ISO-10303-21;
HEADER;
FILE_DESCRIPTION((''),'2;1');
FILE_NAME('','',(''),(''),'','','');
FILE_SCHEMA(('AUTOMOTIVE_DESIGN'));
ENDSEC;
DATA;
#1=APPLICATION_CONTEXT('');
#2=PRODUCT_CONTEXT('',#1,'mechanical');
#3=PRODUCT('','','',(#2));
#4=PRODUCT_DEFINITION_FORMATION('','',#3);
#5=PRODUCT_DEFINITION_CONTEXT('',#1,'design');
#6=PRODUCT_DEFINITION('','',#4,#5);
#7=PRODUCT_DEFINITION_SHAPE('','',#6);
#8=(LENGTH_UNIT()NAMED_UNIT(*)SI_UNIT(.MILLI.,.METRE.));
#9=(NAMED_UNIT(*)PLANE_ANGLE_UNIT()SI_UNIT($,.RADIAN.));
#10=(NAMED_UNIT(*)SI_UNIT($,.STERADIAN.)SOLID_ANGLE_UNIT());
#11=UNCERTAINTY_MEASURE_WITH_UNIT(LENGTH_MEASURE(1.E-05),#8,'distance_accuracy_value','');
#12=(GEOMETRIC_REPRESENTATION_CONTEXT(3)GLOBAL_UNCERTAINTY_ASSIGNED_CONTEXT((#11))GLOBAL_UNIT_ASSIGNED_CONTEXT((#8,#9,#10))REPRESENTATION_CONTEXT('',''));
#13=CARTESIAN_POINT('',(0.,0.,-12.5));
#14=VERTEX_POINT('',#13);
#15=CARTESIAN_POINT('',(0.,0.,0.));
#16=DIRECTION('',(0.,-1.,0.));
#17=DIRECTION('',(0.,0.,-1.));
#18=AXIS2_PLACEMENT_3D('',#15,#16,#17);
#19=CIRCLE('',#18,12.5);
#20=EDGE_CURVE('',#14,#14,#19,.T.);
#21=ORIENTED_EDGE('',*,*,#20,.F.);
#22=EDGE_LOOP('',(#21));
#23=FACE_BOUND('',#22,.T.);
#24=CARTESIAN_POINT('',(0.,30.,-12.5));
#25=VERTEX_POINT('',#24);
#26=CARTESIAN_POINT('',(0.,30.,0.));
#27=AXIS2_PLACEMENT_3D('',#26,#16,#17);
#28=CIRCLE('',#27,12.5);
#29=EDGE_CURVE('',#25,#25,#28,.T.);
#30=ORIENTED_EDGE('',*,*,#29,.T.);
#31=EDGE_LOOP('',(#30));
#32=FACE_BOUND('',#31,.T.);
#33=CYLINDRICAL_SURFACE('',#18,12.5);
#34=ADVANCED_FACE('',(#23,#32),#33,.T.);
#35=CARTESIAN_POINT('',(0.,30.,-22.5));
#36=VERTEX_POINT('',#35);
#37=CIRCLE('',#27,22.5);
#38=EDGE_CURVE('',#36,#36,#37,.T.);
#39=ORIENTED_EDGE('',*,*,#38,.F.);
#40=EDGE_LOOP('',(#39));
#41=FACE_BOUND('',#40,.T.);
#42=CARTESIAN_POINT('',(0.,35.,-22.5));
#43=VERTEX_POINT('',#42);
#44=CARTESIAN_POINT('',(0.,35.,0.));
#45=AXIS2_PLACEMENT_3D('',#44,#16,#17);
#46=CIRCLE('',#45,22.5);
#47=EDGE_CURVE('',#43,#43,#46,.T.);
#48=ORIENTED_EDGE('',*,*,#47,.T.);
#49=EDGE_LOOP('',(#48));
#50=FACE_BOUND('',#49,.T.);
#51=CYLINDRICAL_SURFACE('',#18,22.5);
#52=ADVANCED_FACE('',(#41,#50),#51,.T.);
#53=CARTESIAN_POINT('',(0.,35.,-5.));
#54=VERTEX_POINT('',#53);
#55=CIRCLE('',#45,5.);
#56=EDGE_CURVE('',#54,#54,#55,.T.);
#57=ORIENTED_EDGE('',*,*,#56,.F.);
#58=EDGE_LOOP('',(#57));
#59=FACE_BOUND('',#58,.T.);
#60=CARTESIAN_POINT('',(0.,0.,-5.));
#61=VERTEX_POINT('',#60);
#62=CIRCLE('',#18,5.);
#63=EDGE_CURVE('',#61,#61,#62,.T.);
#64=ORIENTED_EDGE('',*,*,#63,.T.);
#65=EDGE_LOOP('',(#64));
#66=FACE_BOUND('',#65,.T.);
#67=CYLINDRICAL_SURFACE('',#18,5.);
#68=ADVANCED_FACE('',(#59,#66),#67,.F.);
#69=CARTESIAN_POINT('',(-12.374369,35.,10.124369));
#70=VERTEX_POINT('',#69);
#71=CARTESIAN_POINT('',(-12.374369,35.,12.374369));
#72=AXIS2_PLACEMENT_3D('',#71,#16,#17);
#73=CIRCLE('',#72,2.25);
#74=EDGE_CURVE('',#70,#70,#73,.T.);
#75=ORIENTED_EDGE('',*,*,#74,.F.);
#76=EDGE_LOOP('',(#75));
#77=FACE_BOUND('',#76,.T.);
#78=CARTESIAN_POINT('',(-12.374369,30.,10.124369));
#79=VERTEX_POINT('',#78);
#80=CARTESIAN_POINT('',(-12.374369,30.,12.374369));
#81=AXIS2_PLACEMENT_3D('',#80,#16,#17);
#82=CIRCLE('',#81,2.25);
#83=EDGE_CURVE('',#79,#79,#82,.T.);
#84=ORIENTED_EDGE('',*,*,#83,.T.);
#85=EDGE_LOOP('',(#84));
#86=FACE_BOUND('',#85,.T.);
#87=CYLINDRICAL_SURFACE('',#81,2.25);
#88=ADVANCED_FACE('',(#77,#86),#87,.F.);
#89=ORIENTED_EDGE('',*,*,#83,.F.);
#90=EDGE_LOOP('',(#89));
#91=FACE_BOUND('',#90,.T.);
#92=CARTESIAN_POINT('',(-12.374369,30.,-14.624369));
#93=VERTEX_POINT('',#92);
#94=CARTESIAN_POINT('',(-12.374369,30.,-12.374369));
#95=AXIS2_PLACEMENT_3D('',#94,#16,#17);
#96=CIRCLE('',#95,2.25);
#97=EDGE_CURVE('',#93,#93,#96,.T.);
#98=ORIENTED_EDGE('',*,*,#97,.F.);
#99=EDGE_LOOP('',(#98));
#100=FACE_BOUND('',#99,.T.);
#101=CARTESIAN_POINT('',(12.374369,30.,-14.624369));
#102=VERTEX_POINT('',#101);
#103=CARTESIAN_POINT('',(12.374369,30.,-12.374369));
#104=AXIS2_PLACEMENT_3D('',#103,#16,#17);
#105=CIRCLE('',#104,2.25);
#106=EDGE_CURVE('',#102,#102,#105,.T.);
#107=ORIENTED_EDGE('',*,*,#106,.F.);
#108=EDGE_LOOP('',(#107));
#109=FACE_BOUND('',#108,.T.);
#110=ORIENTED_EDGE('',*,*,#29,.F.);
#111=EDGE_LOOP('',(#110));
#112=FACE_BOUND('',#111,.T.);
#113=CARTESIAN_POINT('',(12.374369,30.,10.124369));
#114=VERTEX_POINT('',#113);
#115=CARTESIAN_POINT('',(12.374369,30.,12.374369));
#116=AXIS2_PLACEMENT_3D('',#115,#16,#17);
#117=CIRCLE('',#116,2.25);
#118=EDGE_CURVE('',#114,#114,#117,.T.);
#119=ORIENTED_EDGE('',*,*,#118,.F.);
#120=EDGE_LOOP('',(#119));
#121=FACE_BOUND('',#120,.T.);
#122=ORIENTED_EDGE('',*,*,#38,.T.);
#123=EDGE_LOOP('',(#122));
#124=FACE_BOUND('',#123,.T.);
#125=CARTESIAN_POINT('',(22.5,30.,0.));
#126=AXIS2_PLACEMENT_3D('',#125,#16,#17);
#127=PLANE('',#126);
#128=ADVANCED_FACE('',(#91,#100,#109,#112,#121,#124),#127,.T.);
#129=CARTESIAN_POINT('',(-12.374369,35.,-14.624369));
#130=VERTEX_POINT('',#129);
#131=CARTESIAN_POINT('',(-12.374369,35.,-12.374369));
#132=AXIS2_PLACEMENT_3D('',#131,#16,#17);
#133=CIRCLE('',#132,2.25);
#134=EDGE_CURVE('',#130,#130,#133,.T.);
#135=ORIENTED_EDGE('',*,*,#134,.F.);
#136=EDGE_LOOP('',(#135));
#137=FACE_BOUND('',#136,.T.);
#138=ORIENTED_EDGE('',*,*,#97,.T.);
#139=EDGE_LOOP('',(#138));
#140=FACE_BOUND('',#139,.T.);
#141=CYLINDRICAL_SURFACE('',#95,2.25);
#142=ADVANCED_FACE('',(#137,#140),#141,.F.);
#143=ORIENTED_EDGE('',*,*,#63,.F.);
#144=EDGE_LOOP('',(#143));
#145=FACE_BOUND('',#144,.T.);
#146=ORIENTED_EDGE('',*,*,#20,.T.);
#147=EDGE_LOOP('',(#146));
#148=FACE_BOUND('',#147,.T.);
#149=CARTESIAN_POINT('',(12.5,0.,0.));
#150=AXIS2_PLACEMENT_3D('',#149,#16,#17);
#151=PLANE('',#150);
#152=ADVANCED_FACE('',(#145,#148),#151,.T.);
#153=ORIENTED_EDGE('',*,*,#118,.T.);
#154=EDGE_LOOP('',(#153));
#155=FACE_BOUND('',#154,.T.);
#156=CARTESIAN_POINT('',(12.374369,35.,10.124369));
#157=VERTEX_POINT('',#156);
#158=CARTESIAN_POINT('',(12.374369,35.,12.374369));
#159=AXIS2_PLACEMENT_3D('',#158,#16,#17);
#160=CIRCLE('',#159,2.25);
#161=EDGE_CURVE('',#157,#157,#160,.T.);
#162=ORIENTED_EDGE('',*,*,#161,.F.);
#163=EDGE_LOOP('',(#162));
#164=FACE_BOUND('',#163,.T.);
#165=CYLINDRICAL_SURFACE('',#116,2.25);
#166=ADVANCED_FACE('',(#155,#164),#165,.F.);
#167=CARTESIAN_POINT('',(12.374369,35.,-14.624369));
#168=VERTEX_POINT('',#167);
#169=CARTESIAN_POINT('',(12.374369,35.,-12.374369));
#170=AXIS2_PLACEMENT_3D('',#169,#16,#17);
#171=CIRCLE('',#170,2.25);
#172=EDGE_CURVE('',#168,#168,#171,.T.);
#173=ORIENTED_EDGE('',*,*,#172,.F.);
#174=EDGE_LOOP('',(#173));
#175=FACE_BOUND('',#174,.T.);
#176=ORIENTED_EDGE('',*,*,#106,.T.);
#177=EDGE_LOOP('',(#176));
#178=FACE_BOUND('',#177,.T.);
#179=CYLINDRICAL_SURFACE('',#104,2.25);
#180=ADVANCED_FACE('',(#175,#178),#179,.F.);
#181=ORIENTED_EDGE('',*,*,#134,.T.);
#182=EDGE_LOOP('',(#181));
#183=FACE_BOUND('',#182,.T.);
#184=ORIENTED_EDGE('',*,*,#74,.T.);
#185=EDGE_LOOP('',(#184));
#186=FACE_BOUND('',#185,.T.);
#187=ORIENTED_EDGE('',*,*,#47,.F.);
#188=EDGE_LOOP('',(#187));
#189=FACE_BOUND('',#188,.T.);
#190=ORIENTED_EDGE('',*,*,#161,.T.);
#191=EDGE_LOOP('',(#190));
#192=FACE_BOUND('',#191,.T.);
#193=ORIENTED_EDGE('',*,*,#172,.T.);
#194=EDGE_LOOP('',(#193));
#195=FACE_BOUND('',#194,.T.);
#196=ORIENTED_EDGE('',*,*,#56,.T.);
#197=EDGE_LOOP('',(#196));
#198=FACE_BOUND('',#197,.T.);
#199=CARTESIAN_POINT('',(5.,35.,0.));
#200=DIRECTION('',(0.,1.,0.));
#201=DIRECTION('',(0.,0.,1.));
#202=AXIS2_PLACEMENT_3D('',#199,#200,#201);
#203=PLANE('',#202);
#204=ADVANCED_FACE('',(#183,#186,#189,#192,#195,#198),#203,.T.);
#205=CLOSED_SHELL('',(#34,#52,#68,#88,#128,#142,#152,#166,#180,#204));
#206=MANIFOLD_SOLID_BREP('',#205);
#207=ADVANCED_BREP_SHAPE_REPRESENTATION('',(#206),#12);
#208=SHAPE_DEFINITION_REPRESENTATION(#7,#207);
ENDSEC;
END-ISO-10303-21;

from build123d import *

# Parameters (mm, degrees)
HOLE_WIZARD_M41_D = 4.5


with BuildPart() as part:
    # Эскиз1 → Повернуть1 (revolve)
    with BuildSketch(Plane.XY, mode=Mode.PRIVATE) as revolve_1_sk:
        Polygon((5, 35), (22.5, 35), (22.5, 30), (12.5, 30), (12.5, 0), (5, 0), align=None)
    revolve(revolve_1_sk.sketch.rotate(Axis((0, 0, 0), (0, 1, 0)), 90), axis=Axis((0, 0, 0), (0, 1, 0)))

    # Отверстие с зазором M41 (through all)
    with Locations(Plane.XZ.offset(-30)):
        with Locations((-12.374368671, 12.374368671), (-12.374368671, -12.374368671), (12.374368671, -12.374368671), (12.374368671, 12.374368671)):
            Hole(HOLE_WIZARD_M41_D / 2)


solid = part.part
